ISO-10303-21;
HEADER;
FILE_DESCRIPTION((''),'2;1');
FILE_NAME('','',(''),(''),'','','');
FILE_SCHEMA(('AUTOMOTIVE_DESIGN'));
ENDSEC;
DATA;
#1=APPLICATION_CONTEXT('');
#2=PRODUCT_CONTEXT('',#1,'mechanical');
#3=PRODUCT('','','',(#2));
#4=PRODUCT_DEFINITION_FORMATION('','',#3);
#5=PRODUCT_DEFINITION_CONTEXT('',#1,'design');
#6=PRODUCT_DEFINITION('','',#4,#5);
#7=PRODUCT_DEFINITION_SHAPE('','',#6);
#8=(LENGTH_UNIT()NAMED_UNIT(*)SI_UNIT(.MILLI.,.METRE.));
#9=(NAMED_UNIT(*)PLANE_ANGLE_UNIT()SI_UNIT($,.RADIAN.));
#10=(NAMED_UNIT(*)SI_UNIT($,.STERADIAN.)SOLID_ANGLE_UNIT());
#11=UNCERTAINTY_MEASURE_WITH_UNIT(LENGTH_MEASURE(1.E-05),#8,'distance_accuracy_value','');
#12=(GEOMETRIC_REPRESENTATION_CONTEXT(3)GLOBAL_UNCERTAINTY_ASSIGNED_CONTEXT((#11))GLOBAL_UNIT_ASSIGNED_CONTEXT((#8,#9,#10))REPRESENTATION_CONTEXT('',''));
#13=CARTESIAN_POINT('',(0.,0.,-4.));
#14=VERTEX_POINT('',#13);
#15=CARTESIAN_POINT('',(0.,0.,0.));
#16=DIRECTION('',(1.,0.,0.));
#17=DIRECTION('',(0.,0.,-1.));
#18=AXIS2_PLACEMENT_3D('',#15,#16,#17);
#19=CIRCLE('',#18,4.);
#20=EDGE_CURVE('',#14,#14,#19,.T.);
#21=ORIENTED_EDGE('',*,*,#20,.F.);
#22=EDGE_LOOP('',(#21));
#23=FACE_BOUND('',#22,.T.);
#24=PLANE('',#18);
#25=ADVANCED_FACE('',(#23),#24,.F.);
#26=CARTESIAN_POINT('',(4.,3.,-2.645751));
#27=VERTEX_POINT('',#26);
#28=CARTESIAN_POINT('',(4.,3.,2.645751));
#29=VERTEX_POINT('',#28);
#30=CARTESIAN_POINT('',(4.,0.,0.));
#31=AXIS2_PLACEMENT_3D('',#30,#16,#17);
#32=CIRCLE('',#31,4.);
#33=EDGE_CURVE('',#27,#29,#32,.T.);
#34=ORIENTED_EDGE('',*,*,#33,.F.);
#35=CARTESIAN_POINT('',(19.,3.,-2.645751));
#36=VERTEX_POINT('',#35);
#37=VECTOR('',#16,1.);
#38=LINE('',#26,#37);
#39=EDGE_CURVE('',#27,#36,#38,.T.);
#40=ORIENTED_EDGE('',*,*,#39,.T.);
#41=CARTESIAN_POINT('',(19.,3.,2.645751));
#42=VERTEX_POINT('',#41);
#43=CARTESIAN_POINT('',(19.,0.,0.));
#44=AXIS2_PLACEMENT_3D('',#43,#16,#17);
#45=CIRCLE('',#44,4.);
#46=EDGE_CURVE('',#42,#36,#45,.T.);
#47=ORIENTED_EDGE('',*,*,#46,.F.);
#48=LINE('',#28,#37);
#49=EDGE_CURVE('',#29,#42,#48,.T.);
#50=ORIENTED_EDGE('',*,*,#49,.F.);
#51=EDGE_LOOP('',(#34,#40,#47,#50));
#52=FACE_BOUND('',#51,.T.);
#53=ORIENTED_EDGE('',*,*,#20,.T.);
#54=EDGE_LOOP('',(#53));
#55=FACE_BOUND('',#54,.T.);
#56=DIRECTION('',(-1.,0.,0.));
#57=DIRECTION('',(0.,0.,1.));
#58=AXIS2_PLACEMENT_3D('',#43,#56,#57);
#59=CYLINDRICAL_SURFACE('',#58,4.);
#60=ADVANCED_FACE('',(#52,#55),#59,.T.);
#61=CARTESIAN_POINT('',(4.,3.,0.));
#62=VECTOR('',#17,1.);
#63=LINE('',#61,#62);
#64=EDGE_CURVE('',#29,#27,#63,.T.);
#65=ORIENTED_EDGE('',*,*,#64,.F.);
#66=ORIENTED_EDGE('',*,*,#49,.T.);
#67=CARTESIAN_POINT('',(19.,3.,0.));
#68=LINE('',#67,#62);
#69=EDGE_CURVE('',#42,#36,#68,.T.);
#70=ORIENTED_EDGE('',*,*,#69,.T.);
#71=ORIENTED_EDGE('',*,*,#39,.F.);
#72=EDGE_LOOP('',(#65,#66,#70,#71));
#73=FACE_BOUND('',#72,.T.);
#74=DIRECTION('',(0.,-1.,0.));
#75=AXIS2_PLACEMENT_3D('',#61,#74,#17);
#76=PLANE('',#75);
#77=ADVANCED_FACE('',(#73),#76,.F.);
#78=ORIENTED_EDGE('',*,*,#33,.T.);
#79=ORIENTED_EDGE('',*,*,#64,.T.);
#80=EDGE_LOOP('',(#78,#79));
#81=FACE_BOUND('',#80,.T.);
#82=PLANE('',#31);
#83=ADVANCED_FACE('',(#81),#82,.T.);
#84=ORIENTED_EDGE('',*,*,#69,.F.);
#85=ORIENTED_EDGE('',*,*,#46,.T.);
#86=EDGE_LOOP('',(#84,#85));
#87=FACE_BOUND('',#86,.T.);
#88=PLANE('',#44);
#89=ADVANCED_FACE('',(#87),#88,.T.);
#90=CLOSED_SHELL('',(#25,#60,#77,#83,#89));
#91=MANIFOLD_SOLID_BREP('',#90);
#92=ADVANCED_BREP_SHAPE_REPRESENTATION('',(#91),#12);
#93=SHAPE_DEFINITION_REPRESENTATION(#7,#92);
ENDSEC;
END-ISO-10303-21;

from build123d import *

# Parameters (mm, degrees)
SCHIZZO1_R                   = 4
ESTRUSIONE_ESTRUSIONE1_DEPTH = 19
TAGLIO_ESTRUSIONE1_DEPTH     = 15


with BuildPart() as part:
    # Schizzo1 → Estrusione-Estrusione1 (new body)
    with BuildSketch(Plane(origin=(0, 0, 0), x_dir=(0, 0, -1), z_dir=(1, 0, 0))):
        Circle(SCHIZZO1_R)
    extrude(amount=ESTRUSIONE_ESTRUSIONE1_DEPTH)

    # Schizzo2 → Taglio-Estrusione1 (cut)
    with BuildSketch(Plane(origin=(19, 0, 0), x_dir=(0, 0, -1), z_dir=(1, 0, 0))):
        Polygon((-31.950259643, 3), (-2.645751311, 3), (2.645751311, 3), (31.950259643, 3), (31.950259643, 61.609016665), (-31.950259643, 61.609016665), align=None)
    extrude(amount=-TAGLIO_ESTRUSIONE1_DEPTH, mode=Mode.SUBTRACT)


solid = part.part
